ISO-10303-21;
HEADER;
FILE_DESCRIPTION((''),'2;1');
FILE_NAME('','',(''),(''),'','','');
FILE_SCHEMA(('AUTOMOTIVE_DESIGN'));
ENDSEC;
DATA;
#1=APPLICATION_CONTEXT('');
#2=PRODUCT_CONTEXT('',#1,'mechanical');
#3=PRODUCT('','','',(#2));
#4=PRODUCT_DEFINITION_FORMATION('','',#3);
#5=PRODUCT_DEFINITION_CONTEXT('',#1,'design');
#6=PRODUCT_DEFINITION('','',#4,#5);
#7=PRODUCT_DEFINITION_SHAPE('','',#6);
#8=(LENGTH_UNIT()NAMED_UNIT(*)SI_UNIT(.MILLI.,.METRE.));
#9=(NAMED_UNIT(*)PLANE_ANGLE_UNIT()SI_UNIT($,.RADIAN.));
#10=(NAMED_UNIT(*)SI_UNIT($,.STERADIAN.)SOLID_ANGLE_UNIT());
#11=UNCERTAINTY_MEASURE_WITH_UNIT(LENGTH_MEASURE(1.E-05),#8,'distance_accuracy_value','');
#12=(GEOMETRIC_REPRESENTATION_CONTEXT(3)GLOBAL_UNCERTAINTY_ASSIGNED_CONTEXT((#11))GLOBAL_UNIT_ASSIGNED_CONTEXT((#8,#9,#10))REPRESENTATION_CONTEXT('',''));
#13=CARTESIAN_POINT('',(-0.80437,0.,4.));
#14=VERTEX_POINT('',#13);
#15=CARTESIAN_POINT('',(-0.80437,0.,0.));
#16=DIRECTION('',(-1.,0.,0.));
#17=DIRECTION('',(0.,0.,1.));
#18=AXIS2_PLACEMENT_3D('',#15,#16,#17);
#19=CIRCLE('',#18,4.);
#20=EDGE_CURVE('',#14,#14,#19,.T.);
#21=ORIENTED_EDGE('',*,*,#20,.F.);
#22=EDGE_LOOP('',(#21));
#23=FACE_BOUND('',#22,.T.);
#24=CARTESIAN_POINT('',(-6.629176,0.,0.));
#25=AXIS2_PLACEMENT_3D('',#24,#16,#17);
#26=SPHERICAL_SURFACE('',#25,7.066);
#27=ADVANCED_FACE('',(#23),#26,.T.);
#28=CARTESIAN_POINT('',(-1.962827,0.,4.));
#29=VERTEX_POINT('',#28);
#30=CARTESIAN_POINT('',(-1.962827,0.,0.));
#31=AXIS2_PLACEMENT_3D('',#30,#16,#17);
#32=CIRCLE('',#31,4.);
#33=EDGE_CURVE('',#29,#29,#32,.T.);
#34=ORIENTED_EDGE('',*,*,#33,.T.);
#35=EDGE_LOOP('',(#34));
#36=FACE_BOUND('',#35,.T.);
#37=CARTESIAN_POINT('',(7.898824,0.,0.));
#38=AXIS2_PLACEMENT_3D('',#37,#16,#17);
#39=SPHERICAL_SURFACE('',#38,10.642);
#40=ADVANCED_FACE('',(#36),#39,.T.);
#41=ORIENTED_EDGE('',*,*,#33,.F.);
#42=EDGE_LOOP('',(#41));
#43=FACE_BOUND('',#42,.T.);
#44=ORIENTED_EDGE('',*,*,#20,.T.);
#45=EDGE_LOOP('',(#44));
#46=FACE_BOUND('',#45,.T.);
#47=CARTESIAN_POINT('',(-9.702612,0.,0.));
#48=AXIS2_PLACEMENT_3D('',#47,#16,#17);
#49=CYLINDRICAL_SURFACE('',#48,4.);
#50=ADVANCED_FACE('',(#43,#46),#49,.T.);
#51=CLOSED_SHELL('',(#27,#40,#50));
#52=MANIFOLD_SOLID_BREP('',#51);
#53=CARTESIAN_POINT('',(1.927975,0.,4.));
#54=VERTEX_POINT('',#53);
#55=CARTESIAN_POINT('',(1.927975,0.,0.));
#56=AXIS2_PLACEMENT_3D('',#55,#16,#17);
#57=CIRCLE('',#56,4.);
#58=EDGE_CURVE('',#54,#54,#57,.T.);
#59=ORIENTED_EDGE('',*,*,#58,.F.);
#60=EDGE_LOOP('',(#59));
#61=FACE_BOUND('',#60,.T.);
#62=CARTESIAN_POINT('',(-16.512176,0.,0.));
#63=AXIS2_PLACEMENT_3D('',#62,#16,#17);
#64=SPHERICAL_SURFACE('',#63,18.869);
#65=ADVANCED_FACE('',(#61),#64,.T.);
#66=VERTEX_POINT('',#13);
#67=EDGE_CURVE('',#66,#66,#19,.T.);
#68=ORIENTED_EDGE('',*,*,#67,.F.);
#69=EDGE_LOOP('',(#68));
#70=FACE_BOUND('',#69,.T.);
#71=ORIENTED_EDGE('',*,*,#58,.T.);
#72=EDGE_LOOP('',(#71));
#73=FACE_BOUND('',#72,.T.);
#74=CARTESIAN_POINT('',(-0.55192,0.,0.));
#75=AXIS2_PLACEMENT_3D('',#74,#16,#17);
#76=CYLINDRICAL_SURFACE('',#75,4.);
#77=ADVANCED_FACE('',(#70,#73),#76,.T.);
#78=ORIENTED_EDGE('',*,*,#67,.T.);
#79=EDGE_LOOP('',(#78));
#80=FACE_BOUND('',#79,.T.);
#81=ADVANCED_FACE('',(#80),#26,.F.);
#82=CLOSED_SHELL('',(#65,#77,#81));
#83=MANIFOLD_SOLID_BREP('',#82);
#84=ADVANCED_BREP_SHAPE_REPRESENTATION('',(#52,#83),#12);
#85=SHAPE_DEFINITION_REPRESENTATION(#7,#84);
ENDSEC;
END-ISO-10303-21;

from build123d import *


with BuildPart() as part:
    # 草图1 one side → 旋转1 (revolve)
    with BuildSketch(Plane(origin=(0, 0, 0), x_dir=(1, 0, 0), z_dir=(0, 1, 0)), mode=Mode.PRIVATE) as revolve_1_sk:
        with BuildLine():
            ThreePointArc((-1.962826851, 4), (-2.546266763, 2.037703627), (-2.743175671, 0))
            Line((-2.743175671, 0), (0.436824329, 0))
            ThreePointArc((0.436824329, 0), (0.119395651, 2.094072853), (-0.804370438, 4))
            Line((-0.804370438, 4), (-1.962826851, 4))
        make_face()
    revolve(revolve_1_sk.sketch.rotate(Axis((-9.702612178, 0, 0), (1, 0, 0)), 180), axis=Axis((-9.702612178, 0, 0), (1, 0, 0)))  # turned: the seam where the file's is


with BuildPart() as body_2:
    # 草图2 one side → 旋转3 (revolve)
    with BuildSketch(Plane(origin=(0, 0, 0), x_dir=(1, 0, 0), z_dir=(0, 1, 0)), mode=Mode.PRIVATE) as revolve_3_sk:
        with BuildLine():
            Line((1.927975115, 4), (-0.804370438, 4))
            ThreePointArc((-0.804370438, 4), (0.119395651, 2.094072853), (0.436824329, 0))
            Line((0.436824329, 0), (2.356824329, 0))
            ThreePointArc((2.356824329, 0), (2.249305696, 2.011461636), (1.927975115, 4))
        make_face()
    revolve(revolve_3_sk.sketch.rotate(Axis((-0.551919993, 0, 0), (1, 0, 0)), 180), axis=Axis((-0.551919993, 0, 0), (1, 0, 0)))  # turned: the seam where the file's is


solid = Compound([part.part, body_2.part])
